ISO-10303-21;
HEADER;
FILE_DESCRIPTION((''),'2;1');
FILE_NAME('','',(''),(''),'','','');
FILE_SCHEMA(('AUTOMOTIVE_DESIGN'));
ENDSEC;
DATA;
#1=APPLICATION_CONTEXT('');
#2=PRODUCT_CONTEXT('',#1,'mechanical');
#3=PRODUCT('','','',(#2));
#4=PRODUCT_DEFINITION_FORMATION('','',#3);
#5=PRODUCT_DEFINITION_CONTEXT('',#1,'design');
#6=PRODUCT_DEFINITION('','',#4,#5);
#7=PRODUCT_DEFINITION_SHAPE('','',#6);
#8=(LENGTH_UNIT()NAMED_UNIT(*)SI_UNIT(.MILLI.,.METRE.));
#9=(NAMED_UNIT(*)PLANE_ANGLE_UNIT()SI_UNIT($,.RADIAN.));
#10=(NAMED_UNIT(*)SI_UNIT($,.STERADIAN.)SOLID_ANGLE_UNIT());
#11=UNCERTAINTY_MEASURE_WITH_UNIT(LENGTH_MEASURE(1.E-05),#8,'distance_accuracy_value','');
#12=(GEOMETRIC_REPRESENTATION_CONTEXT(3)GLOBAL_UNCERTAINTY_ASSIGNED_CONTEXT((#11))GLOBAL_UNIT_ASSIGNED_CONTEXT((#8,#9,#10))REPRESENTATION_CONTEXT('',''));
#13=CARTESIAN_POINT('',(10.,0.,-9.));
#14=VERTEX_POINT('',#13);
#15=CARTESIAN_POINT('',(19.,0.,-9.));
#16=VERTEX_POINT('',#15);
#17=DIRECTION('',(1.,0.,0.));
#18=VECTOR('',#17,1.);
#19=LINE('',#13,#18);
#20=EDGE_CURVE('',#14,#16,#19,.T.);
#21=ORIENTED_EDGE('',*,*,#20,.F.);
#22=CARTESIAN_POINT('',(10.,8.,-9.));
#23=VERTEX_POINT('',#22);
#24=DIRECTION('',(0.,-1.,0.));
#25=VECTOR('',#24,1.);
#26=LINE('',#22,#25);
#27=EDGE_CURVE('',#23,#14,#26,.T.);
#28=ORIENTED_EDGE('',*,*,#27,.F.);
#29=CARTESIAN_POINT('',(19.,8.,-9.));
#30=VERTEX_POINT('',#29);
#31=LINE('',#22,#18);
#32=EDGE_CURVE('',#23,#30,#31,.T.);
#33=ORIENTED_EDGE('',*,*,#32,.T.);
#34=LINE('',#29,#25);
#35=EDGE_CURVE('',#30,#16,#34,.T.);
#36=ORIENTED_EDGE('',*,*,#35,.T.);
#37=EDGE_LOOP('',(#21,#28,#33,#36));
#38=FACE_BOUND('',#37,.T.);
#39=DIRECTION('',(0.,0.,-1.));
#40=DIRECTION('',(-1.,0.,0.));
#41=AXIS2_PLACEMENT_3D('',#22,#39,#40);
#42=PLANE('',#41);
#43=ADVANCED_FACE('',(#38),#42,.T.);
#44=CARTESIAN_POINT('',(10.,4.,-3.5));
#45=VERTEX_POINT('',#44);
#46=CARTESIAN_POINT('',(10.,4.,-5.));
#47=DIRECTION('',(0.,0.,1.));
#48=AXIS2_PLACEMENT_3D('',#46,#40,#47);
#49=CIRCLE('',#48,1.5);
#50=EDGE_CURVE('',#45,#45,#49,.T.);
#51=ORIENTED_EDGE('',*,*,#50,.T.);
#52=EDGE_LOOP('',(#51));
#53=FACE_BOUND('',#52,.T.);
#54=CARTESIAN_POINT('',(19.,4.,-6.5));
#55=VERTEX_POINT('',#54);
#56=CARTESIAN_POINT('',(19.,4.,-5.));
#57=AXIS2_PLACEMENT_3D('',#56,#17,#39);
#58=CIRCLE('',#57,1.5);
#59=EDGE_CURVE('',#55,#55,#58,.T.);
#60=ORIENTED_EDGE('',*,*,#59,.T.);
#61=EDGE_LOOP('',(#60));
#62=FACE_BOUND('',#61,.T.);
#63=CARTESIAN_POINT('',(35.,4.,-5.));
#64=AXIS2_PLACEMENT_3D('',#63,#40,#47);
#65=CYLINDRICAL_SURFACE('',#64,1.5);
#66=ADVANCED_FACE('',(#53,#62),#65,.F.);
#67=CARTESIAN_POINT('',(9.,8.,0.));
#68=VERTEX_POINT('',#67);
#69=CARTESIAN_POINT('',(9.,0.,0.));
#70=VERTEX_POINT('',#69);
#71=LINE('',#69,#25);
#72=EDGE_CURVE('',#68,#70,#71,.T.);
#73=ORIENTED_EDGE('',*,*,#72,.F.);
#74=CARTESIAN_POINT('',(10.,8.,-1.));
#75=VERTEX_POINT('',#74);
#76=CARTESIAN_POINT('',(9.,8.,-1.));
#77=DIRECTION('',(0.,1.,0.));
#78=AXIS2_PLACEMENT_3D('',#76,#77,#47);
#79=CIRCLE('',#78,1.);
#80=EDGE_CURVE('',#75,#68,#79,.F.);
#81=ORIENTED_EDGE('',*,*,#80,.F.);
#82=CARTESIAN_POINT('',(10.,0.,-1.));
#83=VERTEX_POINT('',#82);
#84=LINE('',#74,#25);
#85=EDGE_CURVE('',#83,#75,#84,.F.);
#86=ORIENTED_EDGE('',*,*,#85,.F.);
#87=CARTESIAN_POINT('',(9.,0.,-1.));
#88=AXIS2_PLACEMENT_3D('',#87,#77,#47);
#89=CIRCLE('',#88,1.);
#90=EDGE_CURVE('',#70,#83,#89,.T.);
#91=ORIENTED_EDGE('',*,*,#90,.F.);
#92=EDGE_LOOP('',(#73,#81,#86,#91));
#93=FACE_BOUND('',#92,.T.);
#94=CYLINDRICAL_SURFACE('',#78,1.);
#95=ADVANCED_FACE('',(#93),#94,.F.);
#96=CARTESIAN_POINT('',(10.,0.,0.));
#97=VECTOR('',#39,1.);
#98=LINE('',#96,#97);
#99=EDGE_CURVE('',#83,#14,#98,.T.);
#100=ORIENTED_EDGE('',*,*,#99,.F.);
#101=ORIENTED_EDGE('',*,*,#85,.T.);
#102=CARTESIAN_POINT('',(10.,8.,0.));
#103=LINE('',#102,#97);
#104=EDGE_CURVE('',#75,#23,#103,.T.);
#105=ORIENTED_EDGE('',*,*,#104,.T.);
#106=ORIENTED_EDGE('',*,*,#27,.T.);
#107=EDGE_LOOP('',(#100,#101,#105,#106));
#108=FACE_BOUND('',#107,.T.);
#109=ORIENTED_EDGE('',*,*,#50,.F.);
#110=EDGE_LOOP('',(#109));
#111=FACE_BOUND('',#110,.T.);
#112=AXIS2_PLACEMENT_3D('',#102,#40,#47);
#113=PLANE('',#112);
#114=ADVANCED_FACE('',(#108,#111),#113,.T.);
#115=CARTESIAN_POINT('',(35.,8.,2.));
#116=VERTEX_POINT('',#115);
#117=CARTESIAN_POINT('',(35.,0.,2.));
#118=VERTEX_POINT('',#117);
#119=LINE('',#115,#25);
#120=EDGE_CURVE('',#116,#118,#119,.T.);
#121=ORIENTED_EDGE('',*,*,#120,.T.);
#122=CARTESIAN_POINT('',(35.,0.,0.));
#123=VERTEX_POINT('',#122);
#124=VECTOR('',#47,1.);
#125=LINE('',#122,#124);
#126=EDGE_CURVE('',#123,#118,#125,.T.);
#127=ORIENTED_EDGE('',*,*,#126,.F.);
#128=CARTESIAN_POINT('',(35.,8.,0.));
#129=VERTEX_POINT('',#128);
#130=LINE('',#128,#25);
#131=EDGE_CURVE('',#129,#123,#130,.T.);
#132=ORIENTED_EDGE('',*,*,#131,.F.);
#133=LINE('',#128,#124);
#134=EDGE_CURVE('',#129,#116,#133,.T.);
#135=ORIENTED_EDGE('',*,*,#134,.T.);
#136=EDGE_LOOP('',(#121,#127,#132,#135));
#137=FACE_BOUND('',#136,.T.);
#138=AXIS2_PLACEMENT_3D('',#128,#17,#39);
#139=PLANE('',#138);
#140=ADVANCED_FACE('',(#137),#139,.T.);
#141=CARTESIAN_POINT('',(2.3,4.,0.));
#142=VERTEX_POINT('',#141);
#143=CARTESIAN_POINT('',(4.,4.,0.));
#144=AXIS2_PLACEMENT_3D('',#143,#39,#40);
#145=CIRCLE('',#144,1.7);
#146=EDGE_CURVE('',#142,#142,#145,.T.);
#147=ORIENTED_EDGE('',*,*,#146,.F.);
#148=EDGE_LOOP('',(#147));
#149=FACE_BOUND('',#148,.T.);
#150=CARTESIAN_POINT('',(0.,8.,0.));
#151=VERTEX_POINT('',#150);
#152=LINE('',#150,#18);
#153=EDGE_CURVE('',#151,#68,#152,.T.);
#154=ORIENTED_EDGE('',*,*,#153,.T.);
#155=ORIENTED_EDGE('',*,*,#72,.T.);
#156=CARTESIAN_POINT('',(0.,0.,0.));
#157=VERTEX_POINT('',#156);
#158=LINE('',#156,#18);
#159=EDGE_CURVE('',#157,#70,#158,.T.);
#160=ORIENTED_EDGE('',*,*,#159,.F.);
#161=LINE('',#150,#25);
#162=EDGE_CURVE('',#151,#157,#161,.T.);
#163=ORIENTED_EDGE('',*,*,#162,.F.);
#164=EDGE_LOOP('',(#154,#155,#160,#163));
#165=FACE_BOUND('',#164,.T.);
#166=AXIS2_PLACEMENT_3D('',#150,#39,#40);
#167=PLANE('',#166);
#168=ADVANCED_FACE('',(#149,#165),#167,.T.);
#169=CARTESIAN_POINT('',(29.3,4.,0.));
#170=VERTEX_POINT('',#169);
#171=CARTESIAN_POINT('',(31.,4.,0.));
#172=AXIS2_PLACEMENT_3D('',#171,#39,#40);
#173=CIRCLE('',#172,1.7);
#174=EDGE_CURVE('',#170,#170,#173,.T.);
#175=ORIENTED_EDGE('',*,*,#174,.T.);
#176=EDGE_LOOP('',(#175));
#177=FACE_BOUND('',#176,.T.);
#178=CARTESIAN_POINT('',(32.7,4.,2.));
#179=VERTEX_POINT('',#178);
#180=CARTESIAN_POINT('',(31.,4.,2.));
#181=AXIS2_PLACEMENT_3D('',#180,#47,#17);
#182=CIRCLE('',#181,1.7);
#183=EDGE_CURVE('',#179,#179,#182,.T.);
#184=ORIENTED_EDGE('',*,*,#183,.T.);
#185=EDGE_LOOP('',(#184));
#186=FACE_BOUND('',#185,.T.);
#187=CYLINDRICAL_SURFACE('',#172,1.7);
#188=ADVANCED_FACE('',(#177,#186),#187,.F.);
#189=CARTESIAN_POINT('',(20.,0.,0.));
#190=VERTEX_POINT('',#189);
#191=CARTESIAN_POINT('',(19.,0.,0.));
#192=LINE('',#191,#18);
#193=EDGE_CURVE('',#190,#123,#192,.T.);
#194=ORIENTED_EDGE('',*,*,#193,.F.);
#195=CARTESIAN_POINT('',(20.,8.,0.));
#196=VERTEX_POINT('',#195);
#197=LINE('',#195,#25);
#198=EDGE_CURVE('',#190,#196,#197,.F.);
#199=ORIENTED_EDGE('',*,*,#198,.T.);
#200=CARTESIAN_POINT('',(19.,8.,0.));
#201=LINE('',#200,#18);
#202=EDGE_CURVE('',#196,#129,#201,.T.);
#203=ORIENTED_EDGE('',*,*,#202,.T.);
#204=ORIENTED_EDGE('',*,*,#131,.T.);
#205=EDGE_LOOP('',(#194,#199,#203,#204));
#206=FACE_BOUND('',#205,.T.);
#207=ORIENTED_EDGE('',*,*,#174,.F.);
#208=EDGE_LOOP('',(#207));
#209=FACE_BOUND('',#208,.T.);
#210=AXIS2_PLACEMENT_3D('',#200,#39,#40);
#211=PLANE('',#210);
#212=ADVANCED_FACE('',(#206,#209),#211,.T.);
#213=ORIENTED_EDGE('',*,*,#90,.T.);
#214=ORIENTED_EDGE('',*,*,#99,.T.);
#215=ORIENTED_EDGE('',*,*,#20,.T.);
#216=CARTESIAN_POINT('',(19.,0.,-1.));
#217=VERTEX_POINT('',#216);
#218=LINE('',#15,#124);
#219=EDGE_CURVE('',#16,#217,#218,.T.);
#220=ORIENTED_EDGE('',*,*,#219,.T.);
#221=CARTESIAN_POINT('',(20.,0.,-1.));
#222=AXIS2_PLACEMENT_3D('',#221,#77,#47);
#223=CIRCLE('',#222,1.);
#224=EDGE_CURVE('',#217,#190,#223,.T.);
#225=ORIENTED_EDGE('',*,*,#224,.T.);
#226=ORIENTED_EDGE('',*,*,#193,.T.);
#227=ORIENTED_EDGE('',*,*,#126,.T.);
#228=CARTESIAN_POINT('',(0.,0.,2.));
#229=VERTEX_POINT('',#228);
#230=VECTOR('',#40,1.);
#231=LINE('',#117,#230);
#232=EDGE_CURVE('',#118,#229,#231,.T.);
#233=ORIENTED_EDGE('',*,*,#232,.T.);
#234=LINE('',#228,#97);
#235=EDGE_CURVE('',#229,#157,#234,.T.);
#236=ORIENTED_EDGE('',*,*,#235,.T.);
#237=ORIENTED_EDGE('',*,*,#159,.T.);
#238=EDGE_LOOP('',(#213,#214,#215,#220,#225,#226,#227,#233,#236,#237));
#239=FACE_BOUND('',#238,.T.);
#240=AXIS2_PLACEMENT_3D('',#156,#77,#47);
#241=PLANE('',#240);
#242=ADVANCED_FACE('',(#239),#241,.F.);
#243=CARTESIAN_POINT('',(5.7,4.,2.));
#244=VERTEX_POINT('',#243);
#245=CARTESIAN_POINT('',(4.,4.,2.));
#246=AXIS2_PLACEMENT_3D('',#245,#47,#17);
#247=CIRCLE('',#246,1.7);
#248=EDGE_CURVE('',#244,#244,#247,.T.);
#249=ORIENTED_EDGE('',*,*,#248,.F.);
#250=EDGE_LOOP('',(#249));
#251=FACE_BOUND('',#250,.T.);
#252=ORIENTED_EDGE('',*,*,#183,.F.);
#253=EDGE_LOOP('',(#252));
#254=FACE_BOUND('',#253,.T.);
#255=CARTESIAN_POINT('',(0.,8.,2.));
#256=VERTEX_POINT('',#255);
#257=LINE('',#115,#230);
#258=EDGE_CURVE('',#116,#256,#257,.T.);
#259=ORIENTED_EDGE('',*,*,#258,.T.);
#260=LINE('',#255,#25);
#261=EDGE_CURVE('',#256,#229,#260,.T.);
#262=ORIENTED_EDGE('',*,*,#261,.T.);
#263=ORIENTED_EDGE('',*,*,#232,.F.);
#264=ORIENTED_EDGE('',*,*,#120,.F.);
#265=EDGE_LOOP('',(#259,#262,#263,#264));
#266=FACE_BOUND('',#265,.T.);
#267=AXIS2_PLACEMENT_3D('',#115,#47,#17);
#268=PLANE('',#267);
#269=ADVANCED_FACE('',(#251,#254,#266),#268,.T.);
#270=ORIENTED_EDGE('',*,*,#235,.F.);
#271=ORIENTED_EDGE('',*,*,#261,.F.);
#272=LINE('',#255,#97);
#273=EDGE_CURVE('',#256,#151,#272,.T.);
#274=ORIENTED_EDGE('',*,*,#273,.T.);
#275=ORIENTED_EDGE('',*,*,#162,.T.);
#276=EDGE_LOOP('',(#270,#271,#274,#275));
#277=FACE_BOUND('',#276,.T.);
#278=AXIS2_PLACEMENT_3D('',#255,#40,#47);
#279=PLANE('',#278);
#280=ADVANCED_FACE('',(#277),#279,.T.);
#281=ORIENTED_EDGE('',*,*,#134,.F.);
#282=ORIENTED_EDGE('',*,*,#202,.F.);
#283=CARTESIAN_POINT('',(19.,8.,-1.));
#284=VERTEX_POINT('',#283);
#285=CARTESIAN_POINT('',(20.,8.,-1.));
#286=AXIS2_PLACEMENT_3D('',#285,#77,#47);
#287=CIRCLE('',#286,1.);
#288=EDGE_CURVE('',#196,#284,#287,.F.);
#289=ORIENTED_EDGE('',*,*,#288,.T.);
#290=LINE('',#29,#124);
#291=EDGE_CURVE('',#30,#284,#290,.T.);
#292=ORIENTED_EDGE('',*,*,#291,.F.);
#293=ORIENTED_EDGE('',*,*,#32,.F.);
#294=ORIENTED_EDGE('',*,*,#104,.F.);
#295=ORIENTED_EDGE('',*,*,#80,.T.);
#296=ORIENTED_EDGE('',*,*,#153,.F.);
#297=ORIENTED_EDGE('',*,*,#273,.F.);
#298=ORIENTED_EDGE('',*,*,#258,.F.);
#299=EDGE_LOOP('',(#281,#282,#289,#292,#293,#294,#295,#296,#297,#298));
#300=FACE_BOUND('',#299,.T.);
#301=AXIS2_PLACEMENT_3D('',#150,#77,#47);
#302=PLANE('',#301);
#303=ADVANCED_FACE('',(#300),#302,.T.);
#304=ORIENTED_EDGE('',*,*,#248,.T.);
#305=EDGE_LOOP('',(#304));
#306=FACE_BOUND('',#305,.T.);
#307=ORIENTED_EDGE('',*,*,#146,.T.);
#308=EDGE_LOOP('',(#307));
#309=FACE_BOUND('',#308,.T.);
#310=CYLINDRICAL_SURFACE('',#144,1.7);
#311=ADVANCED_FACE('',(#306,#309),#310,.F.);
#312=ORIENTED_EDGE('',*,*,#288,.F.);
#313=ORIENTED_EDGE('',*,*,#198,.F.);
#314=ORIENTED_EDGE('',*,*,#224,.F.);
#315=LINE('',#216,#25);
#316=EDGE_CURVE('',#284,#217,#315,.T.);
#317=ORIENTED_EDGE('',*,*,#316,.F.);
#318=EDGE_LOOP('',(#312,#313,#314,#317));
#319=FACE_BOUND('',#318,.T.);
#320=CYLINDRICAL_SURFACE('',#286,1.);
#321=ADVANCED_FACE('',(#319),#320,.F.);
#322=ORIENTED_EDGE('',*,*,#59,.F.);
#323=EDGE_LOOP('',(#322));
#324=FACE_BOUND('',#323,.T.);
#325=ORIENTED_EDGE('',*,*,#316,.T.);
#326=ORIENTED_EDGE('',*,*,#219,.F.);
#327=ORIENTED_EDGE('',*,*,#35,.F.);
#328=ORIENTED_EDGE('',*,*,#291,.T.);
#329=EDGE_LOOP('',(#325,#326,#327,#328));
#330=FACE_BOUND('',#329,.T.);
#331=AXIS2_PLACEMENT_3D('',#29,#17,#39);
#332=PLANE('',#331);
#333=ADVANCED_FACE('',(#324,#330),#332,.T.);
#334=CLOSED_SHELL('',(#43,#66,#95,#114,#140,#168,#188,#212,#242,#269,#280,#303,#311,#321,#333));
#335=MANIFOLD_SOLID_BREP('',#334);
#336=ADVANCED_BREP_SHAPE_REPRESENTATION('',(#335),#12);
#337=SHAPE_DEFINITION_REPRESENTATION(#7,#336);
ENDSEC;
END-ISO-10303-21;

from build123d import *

# Parameters (mm, degrees)
BOSS_EXTRUDE1_DEPTH      = 8
M3_CLEARANCE_HOLE1_D     = 3.4
M3_CLEARANCE_HOLE1_DEPTH = 3.9
M3_CLEARANCE_HOLE1_TIP   = 1.021463052
SKETCH4_R                = 1.5
CUT_EXTRUDE1_DEPTH       = 26
FILLET1_R                = 1


with BuildPart() as part:
    # Sketch1 → Boss-Extrude1 (new body)
    with BuildSketch(Plane(origin=(0, 0, 0), x_dir=(1, 0, 0), z_dir=(0, 1, 0))):
        Polygon((0, 0), (10, 0), (10, 9), (19, 9), (19, 0), (35, 0), (35, -2), (0, -2), align=None)
    extrude(amount=BOSS_EXTRUDE1_DEPTH)

    # M3 Clearance Hole1
    with Locations(Plane(origin=(0, 0, 0), x_dir=(-1, 0, 0), z_dir=(0, 0, -1))):
        with Locations((-4, 4), (-31, 4)):
            Hole(M3_CLEARANCE_HOLE1_D / 2, depth=M3_CLEARANCE_HOLE1_DEPTH)
            with Locations((0, 0, -(M3_CLEARANCE_HOLE1_DEPTH + M3_CLEARANCE_HOLE1_TIP / 2))):  # 118° drill point
                Cone(0, M3_CLEARANCE_HOLE1_D / 2, M3_CLEARANCE_HOLE1_TIP, mode=Mode.SUBTRACT)

    # Sketch4 → Cut-Extrude1 (cut, through all)
    with BuildSketch(Plane.ZY.offset(-10)):
        with Locations((-5, 4)):
            Circle(SKETCH4_R)
    extrude(amount=-CUT_EXTRUDE1_DEPTH, mode=Mode.SUBTRACT)

    # Fillet1
    fillet1_edges = [part.edges().sort_by_distance(p)[0] for p in [
        (19, 4, 0),
        (10, 4, 0),
    ]]
    fillet(fillet1_edges, radius=FILLET1_R)


solid = part.part
